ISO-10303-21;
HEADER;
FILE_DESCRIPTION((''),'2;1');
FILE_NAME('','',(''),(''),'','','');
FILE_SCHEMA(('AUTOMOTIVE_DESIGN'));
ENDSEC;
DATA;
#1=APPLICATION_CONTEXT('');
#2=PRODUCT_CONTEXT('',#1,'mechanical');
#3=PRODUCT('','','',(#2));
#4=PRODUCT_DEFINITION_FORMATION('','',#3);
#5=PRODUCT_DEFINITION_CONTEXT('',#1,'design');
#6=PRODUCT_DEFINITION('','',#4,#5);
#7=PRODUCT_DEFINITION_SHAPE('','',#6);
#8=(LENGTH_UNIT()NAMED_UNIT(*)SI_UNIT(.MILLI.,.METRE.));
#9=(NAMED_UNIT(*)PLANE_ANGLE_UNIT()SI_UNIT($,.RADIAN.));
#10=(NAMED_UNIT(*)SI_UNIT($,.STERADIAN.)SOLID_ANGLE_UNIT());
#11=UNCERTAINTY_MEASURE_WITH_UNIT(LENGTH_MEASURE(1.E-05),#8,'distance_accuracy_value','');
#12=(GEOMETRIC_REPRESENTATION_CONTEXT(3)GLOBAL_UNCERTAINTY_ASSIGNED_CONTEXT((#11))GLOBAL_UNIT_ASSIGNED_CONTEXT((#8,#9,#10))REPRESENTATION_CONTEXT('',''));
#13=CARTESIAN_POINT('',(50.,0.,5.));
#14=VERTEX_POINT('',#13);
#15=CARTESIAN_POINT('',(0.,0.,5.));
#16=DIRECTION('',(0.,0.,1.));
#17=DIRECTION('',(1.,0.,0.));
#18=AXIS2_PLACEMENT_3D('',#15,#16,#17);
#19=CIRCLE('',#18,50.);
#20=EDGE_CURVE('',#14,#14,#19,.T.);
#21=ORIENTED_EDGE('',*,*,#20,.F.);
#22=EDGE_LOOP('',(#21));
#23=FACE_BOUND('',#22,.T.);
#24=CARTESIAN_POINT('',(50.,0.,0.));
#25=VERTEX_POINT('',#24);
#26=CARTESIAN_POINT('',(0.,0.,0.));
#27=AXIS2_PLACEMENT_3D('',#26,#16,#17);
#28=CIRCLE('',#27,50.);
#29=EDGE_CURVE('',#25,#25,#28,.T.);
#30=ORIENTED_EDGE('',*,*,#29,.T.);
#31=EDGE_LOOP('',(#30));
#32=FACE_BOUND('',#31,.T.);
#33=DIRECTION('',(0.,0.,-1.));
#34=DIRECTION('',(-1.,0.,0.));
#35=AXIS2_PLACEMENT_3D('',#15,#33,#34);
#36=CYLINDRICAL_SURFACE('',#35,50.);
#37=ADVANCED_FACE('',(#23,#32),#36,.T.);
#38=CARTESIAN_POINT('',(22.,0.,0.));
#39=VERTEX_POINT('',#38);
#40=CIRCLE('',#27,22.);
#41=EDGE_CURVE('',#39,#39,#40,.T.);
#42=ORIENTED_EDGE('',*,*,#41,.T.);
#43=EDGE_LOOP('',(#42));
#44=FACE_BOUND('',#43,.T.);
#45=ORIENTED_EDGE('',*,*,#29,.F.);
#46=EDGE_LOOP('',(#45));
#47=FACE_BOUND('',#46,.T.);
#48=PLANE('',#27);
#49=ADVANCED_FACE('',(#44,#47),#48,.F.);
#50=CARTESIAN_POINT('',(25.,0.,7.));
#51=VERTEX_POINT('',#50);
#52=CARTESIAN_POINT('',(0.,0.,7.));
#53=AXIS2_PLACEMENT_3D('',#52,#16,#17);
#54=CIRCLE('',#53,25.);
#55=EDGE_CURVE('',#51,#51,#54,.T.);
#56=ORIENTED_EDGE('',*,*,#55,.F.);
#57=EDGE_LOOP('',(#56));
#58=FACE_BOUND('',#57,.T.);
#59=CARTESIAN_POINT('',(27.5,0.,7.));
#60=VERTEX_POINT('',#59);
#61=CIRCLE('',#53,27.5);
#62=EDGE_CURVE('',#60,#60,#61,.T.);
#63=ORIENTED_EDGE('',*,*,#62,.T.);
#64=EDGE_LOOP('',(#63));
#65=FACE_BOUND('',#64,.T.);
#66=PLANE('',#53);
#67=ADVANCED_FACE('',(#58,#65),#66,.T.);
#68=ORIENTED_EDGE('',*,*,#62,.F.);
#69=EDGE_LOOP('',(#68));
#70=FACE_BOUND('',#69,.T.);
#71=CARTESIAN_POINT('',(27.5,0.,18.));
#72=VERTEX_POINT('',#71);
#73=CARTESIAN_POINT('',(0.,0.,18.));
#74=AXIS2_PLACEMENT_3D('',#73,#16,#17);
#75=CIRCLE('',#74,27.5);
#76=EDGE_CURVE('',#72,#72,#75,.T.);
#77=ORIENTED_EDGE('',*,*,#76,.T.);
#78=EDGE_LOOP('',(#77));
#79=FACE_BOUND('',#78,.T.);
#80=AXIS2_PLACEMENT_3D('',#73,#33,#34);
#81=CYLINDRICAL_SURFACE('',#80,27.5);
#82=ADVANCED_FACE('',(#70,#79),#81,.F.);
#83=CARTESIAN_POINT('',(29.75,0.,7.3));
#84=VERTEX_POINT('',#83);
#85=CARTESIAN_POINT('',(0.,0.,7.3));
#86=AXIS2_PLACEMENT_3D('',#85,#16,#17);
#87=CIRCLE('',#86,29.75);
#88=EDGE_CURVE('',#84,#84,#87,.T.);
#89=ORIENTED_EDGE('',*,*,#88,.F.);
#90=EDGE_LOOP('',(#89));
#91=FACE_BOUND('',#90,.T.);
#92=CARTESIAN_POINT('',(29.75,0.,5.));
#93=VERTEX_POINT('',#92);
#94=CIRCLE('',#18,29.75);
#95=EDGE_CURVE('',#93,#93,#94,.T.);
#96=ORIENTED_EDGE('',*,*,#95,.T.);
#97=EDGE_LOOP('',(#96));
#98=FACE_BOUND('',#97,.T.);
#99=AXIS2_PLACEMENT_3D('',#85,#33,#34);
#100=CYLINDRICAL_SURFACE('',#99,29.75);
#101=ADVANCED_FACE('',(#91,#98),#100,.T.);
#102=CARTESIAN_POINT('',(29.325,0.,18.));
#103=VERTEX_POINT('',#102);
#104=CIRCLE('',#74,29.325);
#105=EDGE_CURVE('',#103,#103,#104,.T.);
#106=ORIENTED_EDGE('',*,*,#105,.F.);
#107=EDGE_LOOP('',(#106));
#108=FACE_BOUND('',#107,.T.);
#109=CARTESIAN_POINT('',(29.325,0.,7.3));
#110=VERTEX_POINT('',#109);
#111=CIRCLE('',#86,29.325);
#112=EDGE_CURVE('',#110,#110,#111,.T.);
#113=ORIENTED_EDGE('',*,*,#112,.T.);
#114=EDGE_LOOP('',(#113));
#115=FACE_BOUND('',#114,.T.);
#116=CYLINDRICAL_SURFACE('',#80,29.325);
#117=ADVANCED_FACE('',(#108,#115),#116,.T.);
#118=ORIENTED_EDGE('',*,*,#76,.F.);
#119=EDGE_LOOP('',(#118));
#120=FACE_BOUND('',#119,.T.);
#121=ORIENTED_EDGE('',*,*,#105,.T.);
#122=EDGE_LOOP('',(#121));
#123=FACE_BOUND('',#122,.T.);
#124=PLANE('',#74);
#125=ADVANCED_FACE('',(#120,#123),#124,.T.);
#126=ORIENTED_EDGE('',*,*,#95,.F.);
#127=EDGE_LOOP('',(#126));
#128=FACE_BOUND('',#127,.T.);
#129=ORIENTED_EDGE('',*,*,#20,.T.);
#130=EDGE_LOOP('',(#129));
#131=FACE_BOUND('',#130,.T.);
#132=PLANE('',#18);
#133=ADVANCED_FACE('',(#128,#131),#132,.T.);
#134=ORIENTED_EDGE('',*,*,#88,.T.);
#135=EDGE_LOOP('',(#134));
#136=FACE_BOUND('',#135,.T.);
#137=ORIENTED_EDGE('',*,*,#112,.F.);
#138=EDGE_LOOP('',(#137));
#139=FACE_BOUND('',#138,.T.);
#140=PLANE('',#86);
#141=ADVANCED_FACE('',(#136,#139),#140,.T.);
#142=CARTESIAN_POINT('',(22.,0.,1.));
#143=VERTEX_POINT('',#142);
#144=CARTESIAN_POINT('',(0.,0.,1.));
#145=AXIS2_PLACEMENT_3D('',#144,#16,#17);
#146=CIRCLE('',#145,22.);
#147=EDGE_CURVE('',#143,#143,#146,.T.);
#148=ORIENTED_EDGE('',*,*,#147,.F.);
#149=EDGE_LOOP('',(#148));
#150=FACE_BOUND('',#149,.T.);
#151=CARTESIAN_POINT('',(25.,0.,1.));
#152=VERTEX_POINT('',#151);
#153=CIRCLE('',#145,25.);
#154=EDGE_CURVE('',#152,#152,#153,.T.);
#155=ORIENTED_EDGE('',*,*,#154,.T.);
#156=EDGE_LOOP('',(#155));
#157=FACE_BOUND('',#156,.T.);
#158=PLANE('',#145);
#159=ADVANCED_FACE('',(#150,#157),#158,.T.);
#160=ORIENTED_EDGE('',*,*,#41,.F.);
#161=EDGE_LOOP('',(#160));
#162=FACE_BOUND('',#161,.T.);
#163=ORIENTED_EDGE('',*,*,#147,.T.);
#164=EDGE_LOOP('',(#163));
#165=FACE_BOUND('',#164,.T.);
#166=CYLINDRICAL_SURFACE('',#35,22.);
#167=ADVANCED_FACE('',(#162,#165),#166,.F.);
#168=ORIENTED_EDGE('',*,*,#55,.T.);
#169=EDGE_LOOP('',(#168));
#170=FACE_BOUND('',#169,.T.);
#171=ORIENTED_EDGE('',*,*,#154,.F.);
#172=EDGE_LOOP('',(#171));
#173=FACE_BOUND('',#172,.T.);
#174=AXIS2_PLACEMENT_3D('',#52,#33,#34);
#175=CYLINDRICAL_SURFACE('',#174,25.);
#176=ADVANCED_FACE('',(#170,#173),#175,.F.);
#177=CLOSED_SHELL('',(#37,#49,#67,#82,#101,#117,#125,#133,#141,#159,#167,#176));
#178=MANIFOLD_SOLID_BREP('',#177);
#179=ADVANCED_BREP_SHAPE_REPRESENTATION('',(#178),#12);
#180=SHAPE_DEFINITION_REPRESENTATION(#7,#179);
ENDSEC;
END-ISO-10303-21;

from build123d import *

# Parameters (mm, degrees)
SKETCH1_R           = 50
SKETCH1_R_2         = 22
BOSS_EXTRUDE1_DEPTH = 5
SKETCH1_3_R         = 29.325
SKETCH1_3_R_2       = 27.5
BOSS_EXTRUDE2_DEPTH = 18
SKETCH2_R           = 29.75
SKETCH2_R_2         = 29.325
BOSS_EXTRUDE3_DEPTH = 2.3
SKETCH3_R           = 27.5
SKETCH3_R_2         = 25
BOSS_EXTRUDE4_DEPTH = 2
CUT_EXTRUDE1_START  = -4
SKETCH4_R           = 25
SKETCH4_R_2         = 22
CUT_EXTRUDE1_DEPTH  = 4


with BuildPart() as part:
    # Sketch1 → Boss-Extrude1 (new body)
    with BuildSketch(Plane.XY):
        Circle(SKETCH1_R)
        Circle(SKETCH1_R_2, mode=Mode.SUBTRACT)
    extrude(amount=BOSS_EXTRUDE1_DEPTH)

    # Sketch1<3> → Boss-Extrude2 (add)
    with BuildSketch(Plane.XY):
        Circle(SKETCH1_3_R)
        Circle(SKETCH1_3_R_2, mode=Mode.SUBTRACT)
    extrude(amount=BOSS_EXTRUDE2_DEPTH)

    # Sketch2 → Boss-Extrude3 (add)
    with BuildSketch(Plane.XY.offset(5)):
        Circle(SKETCH2_R)
        Circle(SKETCH2_R_2, mode=Mode.SUBTRACT)
    extrude(amount=BOSS_EXTRUDE3_DEPTH)

    # Sketch3 → Boss-Extrude4 (add)
    with BuildSketch(Plane.XY.offset(5)):
        Circle(SKETCH3_R)
        Circle(SKETCH3_R_2, mode=Mode.SUBTRACT)
    extrude(amount=BOSS_EXTRUDE4_DEPTH)

    # Sketch4 → Cut-Extrude1 (cut)
    with BuildSketch(Plane.XY.offset(5).offset(CUT_EXTRUDE1_START)):
        Circle(SKETCH4_R)
        Circle(SKETCH4_R_2, mode=Mode.SUBTRACT)
    extrude(amount=CUT_EXTRUDE1_DEPTH, mode=Mode.SUBTRACT)


solid = part.part
